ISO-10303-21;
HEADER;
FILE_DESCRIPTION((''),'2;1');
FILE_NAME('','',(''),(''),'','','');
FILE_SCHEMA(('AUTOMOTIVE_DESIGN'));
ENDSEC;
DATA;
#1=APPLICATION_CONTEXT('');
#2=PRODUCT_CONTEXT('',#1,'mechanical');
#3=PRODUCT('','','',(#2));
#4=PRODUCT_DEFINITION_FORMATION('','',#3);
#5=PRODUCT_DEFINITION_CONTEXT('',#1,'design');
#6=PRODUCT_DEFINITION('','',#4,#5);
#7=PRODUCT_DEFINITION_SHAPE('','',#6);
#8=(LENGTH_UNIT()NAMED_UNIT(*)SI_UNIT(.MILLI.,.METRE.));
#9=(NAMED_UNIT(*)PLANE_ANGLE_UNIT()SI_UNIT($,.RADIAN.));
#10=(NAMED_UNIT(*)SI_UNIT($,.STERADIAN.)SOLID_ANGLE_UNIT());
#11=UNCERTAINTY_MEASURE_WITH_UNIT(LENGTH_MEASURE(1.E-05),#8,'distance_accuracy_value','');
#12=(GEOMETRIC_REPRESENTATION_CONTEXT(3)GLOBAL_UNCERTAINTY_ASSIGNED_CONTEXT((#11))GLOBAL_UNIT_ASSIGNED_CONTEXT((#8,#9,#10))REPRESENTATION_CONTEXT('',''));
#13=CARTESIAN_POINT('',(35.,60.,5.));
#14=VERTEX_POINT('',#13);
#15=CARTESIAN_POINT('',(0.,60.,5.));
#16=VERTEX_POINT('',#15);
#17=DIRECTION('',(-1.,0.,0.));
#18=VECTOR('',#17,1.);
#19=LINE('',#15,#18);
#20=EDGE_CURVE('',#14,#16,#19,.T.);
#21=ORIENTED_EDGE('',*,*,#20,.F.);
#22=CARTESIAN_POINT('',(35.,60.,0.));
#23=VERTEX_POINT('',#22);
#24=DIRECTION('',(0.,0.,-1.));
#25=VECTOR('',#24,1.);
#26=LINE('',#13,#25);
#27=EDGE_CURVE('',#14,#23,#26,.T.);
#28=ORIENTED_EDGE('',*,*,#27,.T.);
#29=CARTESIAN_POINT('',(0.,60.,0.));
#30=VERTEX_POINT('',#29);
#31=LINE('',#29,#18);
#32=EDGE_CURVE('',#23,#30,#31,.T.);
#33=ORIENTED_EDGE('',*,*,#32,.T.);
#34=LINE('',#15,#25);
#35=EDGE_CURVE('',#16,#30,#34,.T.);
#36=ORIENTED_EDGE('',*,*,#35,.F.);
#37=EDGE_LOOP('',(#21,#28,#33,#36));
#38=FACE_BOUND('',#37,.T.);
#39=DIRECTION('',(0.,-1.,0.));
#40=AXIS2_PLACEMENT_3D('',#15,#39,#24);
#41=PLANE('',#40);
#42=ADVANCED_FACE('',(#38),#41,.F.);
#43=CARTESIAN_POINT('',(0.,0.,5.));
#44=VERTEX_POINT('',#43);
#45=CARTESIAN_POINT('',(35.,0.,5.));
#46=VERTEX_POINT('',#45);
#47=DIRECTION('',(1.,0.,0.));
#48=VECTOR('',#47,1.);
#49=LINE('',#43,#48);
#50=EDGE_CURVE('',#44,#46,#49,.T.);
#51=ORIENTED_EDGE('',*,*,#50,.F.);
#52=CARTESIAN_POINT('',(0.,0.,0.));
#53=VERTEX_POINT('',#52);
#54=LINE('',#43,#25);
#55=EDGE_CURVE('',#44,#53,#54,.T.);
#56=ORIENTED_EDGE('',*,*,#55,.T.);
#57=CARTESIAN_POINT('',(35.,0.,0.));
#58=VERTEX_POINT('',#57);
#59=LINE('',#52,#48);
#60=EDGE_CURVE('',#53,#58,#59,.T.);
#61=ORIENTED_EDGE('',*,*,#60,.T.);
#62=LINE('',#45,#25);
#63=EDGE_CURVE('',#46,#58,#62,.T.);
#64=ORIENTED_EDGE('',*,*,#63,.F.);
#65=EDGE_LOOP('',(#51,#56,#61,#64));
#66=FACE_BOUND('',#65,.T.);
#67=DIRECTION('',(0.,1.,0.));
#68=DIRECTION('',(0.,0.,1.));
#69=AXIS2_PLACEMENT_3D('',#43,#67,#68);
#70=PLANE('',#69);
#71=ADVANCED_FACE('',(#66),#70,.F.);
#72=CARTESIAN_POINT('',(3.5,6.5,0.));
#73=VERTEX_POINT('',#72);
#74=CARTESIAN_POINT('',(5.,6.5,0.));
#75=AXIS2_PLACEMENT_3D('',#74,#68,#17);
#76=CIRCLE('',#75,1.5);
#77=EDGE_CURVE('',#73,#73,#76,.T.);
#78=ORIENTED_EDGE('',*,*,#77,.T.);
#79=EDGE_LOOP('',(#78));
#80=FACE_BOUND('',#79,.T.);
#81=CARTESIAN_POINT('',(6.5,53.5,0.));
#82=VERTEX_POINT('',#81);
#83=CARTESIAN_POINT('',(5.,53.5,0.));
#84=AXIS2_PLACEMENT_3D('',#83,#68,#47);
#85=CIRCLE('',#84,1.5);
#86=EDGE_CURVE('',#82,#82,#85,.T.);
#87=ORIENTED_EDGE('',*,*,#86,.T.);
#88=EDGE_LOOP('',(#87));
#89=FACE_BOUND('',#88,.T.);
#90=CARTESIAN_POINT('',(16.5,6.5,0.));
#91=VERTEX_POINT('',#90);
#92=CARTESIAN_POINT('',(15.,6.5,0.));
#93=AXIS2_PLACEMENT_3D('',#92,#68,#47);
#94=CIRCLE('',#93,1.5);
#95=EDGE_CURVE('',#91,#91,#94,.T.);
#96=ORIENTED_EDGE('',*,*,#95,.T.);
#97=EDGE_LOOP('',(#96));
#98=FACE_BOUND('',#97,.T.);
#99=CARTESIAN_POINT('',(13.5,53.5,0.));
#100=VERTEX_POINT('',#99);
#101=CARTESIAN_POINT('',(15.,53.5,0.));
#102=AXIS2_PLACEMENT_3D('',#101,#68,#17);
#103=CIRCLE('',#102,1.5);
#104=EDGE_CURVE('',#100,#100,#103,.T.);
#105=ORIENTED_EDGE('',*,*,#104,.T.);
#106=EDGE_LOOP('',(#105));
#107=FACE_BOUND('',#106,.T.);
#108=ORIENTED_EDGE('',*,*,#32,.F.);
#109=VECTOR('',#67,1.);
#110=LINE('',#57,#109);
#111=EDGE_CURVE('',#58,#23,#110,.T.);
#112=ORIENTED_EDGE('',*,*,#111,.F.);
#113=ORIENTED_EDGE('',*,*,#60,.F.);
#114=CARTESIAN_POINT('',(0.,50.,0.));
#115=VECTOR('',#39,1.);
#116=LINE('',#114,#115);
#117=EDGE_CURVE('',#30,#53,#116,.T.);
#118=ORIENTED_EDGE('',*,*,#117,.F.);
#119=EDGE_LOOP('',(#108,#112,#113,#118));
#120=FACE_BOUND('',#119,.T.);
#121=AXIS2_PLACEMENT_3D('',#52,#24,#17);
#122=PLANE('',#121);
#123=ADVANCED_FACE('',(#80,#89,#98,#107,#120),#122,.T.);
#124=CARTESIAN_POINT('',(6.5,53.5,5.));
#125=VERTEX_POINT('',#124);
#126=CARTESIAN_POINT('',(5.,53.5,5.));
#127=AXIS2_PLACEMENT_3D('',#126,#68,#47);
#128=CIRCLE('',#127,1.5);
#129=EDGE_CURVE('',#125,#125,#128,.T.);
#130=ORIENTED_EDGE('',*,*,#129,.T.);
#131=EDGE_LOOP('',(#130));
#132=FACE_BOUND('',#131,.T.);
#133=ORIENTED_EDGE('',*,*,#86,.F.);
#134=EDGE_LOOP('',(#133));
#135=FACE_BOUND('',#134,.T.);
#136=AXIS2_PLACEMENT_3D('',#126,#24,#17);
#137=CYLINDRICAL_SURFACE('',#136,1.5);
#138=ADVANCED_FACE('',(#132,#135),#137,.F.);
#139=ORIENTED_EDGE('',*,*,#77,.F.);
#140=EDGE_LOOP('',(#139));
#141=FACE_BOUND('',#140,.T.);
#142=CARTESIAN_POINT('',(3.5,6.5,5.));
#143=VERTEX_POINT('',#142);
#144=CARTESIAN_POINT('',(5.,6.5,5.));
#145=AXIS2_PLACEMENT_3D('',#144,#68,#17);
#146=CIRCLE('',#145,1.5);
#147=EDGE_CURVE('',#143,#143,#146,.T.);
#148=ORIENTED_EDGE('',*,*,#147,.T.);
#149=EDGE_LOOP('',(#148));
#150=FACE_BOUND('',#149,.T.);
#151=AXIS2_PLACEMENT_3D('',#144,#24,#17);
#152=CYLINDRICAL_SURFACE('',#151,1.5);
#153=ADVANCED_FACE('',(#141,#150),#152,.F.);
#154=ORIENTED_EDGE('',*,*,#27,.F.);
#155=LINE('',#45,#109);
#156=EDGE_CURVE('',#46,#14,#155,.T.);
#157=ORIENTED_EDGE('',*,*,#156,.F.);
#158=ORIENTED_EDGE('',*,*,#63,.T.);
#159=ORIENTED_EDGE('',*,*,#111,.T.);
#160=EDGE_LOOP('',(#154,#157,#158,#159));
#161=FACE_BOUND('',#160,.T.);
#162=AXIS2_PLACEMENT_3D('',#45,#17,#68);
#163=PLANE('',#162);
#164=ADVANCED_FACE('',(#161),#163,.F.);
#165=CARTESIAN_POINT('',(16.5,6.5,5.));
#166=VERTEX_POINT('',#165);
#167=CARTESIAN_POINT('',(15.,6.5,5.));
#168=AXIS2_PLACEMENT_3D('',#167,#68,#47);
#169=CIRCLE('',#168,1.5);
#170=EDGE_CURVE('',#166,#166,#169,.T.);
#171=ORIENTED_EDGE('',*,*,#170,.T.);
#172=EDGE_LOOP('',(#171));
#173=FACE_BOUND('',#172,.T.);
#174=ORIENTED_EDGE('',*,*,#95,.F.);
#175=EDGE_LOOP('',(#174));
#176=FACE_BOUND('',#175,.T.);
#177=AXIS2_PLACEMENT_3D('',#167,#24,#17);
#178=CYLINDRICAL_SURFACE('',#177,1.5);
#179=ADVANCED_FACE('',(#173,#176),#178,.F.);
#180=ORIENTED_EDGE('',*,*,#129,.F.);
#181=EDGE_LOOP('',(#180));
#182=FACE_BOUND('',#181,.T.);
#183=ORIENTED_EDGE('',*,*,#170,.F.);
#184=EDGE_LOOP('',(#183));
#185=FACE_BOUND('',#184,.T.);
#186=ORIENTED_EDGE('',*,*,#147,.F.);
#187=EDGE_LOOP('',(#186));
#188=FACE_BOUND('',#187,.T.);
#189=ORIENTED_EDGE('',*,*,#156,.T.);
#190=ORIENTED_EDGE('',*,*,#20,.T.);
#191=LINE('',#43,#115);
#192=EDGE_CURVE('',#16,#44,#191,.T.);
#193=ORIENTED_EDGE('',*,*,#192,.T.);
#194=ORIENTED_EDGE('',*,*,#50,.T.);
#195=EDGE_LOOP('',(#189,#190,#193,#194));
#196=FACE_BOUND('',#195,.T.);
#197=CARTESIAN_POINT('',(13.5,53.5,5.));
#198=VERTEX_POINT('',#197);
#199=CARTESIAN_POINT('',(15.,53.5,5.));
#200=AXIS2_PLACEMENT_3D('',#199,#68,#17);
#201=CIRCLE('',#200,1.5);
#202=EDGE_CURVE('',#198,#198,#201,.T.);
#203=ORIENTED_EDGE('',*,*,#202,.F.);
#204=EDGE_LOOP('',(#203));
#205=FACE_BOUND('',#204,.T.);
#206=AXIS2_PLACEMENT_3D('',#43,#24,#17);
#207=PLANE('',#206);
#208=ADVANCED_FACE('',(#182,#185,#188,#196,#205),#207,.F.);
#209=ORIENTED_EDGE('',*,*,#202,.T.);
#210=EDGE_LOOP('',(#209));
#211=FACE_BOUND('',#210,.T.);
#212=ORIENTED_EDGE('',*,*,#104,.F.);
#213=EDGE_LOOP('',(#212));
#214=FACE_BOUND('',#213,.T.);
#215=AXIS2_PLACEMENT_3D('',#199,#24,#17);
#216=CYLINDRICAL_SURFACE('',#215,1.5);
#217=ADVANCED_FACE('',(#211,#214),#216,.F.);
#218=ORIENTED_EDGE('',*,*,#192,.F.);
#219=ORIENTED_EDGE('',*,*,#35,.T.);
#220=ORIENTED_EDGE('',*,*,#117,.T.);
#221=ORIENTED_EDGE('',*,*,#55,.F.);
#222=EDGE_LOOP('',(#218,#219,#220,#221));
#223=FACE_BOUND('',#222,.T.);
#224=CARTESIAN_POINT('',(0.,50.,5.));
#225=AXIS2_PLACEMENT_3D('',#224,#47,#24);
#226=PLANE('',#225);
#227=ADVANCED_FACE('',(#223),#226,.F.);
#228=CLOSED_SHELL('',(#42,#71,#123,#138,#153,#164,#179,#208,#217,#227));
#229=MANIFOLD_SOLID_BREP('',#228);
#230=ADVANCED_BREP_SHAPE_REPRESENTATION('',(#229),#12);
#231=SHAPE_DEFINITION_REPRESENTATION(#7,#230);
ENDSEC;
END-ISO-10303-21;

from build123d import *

# Parameters (mm, degrees)
ESQUISSE1_R        = 1.5
BOSS_EXTRU_1_DEPTH = 5


with BuildPart() as part:
    # Esquisse1 → Boss.-Extru.1 (new body)
    with BuildSketch(Plane.XY):
        Polygon((0, 0), (35, 0), (35, 60), (0, 60), (0, 50), (0, 10), align=None)
        with Locations((5, 53.5)):
            Circle(ESQUISSE1_R, mode=Mode.SUBTRACT)
        with Locations(Location((15, 53.5, 0), (0, 0, 180))):
            Circle(ESQUISSE1_R, mode=Mode.SUBTRACT)
        with Locations((15, 6.5)):
            Circle(ESQUISSE1_R, mode=Mode.SUBTRACT)
        with Locations(Location((5, 6.5, 0), (0, 0, 180))):
            Circle(ESQUISSE1_R, mode=Mode.SUBTRACT)
    extrude(amount=BOSS_EXTRU_1_DEPTH)


solid = part.part
